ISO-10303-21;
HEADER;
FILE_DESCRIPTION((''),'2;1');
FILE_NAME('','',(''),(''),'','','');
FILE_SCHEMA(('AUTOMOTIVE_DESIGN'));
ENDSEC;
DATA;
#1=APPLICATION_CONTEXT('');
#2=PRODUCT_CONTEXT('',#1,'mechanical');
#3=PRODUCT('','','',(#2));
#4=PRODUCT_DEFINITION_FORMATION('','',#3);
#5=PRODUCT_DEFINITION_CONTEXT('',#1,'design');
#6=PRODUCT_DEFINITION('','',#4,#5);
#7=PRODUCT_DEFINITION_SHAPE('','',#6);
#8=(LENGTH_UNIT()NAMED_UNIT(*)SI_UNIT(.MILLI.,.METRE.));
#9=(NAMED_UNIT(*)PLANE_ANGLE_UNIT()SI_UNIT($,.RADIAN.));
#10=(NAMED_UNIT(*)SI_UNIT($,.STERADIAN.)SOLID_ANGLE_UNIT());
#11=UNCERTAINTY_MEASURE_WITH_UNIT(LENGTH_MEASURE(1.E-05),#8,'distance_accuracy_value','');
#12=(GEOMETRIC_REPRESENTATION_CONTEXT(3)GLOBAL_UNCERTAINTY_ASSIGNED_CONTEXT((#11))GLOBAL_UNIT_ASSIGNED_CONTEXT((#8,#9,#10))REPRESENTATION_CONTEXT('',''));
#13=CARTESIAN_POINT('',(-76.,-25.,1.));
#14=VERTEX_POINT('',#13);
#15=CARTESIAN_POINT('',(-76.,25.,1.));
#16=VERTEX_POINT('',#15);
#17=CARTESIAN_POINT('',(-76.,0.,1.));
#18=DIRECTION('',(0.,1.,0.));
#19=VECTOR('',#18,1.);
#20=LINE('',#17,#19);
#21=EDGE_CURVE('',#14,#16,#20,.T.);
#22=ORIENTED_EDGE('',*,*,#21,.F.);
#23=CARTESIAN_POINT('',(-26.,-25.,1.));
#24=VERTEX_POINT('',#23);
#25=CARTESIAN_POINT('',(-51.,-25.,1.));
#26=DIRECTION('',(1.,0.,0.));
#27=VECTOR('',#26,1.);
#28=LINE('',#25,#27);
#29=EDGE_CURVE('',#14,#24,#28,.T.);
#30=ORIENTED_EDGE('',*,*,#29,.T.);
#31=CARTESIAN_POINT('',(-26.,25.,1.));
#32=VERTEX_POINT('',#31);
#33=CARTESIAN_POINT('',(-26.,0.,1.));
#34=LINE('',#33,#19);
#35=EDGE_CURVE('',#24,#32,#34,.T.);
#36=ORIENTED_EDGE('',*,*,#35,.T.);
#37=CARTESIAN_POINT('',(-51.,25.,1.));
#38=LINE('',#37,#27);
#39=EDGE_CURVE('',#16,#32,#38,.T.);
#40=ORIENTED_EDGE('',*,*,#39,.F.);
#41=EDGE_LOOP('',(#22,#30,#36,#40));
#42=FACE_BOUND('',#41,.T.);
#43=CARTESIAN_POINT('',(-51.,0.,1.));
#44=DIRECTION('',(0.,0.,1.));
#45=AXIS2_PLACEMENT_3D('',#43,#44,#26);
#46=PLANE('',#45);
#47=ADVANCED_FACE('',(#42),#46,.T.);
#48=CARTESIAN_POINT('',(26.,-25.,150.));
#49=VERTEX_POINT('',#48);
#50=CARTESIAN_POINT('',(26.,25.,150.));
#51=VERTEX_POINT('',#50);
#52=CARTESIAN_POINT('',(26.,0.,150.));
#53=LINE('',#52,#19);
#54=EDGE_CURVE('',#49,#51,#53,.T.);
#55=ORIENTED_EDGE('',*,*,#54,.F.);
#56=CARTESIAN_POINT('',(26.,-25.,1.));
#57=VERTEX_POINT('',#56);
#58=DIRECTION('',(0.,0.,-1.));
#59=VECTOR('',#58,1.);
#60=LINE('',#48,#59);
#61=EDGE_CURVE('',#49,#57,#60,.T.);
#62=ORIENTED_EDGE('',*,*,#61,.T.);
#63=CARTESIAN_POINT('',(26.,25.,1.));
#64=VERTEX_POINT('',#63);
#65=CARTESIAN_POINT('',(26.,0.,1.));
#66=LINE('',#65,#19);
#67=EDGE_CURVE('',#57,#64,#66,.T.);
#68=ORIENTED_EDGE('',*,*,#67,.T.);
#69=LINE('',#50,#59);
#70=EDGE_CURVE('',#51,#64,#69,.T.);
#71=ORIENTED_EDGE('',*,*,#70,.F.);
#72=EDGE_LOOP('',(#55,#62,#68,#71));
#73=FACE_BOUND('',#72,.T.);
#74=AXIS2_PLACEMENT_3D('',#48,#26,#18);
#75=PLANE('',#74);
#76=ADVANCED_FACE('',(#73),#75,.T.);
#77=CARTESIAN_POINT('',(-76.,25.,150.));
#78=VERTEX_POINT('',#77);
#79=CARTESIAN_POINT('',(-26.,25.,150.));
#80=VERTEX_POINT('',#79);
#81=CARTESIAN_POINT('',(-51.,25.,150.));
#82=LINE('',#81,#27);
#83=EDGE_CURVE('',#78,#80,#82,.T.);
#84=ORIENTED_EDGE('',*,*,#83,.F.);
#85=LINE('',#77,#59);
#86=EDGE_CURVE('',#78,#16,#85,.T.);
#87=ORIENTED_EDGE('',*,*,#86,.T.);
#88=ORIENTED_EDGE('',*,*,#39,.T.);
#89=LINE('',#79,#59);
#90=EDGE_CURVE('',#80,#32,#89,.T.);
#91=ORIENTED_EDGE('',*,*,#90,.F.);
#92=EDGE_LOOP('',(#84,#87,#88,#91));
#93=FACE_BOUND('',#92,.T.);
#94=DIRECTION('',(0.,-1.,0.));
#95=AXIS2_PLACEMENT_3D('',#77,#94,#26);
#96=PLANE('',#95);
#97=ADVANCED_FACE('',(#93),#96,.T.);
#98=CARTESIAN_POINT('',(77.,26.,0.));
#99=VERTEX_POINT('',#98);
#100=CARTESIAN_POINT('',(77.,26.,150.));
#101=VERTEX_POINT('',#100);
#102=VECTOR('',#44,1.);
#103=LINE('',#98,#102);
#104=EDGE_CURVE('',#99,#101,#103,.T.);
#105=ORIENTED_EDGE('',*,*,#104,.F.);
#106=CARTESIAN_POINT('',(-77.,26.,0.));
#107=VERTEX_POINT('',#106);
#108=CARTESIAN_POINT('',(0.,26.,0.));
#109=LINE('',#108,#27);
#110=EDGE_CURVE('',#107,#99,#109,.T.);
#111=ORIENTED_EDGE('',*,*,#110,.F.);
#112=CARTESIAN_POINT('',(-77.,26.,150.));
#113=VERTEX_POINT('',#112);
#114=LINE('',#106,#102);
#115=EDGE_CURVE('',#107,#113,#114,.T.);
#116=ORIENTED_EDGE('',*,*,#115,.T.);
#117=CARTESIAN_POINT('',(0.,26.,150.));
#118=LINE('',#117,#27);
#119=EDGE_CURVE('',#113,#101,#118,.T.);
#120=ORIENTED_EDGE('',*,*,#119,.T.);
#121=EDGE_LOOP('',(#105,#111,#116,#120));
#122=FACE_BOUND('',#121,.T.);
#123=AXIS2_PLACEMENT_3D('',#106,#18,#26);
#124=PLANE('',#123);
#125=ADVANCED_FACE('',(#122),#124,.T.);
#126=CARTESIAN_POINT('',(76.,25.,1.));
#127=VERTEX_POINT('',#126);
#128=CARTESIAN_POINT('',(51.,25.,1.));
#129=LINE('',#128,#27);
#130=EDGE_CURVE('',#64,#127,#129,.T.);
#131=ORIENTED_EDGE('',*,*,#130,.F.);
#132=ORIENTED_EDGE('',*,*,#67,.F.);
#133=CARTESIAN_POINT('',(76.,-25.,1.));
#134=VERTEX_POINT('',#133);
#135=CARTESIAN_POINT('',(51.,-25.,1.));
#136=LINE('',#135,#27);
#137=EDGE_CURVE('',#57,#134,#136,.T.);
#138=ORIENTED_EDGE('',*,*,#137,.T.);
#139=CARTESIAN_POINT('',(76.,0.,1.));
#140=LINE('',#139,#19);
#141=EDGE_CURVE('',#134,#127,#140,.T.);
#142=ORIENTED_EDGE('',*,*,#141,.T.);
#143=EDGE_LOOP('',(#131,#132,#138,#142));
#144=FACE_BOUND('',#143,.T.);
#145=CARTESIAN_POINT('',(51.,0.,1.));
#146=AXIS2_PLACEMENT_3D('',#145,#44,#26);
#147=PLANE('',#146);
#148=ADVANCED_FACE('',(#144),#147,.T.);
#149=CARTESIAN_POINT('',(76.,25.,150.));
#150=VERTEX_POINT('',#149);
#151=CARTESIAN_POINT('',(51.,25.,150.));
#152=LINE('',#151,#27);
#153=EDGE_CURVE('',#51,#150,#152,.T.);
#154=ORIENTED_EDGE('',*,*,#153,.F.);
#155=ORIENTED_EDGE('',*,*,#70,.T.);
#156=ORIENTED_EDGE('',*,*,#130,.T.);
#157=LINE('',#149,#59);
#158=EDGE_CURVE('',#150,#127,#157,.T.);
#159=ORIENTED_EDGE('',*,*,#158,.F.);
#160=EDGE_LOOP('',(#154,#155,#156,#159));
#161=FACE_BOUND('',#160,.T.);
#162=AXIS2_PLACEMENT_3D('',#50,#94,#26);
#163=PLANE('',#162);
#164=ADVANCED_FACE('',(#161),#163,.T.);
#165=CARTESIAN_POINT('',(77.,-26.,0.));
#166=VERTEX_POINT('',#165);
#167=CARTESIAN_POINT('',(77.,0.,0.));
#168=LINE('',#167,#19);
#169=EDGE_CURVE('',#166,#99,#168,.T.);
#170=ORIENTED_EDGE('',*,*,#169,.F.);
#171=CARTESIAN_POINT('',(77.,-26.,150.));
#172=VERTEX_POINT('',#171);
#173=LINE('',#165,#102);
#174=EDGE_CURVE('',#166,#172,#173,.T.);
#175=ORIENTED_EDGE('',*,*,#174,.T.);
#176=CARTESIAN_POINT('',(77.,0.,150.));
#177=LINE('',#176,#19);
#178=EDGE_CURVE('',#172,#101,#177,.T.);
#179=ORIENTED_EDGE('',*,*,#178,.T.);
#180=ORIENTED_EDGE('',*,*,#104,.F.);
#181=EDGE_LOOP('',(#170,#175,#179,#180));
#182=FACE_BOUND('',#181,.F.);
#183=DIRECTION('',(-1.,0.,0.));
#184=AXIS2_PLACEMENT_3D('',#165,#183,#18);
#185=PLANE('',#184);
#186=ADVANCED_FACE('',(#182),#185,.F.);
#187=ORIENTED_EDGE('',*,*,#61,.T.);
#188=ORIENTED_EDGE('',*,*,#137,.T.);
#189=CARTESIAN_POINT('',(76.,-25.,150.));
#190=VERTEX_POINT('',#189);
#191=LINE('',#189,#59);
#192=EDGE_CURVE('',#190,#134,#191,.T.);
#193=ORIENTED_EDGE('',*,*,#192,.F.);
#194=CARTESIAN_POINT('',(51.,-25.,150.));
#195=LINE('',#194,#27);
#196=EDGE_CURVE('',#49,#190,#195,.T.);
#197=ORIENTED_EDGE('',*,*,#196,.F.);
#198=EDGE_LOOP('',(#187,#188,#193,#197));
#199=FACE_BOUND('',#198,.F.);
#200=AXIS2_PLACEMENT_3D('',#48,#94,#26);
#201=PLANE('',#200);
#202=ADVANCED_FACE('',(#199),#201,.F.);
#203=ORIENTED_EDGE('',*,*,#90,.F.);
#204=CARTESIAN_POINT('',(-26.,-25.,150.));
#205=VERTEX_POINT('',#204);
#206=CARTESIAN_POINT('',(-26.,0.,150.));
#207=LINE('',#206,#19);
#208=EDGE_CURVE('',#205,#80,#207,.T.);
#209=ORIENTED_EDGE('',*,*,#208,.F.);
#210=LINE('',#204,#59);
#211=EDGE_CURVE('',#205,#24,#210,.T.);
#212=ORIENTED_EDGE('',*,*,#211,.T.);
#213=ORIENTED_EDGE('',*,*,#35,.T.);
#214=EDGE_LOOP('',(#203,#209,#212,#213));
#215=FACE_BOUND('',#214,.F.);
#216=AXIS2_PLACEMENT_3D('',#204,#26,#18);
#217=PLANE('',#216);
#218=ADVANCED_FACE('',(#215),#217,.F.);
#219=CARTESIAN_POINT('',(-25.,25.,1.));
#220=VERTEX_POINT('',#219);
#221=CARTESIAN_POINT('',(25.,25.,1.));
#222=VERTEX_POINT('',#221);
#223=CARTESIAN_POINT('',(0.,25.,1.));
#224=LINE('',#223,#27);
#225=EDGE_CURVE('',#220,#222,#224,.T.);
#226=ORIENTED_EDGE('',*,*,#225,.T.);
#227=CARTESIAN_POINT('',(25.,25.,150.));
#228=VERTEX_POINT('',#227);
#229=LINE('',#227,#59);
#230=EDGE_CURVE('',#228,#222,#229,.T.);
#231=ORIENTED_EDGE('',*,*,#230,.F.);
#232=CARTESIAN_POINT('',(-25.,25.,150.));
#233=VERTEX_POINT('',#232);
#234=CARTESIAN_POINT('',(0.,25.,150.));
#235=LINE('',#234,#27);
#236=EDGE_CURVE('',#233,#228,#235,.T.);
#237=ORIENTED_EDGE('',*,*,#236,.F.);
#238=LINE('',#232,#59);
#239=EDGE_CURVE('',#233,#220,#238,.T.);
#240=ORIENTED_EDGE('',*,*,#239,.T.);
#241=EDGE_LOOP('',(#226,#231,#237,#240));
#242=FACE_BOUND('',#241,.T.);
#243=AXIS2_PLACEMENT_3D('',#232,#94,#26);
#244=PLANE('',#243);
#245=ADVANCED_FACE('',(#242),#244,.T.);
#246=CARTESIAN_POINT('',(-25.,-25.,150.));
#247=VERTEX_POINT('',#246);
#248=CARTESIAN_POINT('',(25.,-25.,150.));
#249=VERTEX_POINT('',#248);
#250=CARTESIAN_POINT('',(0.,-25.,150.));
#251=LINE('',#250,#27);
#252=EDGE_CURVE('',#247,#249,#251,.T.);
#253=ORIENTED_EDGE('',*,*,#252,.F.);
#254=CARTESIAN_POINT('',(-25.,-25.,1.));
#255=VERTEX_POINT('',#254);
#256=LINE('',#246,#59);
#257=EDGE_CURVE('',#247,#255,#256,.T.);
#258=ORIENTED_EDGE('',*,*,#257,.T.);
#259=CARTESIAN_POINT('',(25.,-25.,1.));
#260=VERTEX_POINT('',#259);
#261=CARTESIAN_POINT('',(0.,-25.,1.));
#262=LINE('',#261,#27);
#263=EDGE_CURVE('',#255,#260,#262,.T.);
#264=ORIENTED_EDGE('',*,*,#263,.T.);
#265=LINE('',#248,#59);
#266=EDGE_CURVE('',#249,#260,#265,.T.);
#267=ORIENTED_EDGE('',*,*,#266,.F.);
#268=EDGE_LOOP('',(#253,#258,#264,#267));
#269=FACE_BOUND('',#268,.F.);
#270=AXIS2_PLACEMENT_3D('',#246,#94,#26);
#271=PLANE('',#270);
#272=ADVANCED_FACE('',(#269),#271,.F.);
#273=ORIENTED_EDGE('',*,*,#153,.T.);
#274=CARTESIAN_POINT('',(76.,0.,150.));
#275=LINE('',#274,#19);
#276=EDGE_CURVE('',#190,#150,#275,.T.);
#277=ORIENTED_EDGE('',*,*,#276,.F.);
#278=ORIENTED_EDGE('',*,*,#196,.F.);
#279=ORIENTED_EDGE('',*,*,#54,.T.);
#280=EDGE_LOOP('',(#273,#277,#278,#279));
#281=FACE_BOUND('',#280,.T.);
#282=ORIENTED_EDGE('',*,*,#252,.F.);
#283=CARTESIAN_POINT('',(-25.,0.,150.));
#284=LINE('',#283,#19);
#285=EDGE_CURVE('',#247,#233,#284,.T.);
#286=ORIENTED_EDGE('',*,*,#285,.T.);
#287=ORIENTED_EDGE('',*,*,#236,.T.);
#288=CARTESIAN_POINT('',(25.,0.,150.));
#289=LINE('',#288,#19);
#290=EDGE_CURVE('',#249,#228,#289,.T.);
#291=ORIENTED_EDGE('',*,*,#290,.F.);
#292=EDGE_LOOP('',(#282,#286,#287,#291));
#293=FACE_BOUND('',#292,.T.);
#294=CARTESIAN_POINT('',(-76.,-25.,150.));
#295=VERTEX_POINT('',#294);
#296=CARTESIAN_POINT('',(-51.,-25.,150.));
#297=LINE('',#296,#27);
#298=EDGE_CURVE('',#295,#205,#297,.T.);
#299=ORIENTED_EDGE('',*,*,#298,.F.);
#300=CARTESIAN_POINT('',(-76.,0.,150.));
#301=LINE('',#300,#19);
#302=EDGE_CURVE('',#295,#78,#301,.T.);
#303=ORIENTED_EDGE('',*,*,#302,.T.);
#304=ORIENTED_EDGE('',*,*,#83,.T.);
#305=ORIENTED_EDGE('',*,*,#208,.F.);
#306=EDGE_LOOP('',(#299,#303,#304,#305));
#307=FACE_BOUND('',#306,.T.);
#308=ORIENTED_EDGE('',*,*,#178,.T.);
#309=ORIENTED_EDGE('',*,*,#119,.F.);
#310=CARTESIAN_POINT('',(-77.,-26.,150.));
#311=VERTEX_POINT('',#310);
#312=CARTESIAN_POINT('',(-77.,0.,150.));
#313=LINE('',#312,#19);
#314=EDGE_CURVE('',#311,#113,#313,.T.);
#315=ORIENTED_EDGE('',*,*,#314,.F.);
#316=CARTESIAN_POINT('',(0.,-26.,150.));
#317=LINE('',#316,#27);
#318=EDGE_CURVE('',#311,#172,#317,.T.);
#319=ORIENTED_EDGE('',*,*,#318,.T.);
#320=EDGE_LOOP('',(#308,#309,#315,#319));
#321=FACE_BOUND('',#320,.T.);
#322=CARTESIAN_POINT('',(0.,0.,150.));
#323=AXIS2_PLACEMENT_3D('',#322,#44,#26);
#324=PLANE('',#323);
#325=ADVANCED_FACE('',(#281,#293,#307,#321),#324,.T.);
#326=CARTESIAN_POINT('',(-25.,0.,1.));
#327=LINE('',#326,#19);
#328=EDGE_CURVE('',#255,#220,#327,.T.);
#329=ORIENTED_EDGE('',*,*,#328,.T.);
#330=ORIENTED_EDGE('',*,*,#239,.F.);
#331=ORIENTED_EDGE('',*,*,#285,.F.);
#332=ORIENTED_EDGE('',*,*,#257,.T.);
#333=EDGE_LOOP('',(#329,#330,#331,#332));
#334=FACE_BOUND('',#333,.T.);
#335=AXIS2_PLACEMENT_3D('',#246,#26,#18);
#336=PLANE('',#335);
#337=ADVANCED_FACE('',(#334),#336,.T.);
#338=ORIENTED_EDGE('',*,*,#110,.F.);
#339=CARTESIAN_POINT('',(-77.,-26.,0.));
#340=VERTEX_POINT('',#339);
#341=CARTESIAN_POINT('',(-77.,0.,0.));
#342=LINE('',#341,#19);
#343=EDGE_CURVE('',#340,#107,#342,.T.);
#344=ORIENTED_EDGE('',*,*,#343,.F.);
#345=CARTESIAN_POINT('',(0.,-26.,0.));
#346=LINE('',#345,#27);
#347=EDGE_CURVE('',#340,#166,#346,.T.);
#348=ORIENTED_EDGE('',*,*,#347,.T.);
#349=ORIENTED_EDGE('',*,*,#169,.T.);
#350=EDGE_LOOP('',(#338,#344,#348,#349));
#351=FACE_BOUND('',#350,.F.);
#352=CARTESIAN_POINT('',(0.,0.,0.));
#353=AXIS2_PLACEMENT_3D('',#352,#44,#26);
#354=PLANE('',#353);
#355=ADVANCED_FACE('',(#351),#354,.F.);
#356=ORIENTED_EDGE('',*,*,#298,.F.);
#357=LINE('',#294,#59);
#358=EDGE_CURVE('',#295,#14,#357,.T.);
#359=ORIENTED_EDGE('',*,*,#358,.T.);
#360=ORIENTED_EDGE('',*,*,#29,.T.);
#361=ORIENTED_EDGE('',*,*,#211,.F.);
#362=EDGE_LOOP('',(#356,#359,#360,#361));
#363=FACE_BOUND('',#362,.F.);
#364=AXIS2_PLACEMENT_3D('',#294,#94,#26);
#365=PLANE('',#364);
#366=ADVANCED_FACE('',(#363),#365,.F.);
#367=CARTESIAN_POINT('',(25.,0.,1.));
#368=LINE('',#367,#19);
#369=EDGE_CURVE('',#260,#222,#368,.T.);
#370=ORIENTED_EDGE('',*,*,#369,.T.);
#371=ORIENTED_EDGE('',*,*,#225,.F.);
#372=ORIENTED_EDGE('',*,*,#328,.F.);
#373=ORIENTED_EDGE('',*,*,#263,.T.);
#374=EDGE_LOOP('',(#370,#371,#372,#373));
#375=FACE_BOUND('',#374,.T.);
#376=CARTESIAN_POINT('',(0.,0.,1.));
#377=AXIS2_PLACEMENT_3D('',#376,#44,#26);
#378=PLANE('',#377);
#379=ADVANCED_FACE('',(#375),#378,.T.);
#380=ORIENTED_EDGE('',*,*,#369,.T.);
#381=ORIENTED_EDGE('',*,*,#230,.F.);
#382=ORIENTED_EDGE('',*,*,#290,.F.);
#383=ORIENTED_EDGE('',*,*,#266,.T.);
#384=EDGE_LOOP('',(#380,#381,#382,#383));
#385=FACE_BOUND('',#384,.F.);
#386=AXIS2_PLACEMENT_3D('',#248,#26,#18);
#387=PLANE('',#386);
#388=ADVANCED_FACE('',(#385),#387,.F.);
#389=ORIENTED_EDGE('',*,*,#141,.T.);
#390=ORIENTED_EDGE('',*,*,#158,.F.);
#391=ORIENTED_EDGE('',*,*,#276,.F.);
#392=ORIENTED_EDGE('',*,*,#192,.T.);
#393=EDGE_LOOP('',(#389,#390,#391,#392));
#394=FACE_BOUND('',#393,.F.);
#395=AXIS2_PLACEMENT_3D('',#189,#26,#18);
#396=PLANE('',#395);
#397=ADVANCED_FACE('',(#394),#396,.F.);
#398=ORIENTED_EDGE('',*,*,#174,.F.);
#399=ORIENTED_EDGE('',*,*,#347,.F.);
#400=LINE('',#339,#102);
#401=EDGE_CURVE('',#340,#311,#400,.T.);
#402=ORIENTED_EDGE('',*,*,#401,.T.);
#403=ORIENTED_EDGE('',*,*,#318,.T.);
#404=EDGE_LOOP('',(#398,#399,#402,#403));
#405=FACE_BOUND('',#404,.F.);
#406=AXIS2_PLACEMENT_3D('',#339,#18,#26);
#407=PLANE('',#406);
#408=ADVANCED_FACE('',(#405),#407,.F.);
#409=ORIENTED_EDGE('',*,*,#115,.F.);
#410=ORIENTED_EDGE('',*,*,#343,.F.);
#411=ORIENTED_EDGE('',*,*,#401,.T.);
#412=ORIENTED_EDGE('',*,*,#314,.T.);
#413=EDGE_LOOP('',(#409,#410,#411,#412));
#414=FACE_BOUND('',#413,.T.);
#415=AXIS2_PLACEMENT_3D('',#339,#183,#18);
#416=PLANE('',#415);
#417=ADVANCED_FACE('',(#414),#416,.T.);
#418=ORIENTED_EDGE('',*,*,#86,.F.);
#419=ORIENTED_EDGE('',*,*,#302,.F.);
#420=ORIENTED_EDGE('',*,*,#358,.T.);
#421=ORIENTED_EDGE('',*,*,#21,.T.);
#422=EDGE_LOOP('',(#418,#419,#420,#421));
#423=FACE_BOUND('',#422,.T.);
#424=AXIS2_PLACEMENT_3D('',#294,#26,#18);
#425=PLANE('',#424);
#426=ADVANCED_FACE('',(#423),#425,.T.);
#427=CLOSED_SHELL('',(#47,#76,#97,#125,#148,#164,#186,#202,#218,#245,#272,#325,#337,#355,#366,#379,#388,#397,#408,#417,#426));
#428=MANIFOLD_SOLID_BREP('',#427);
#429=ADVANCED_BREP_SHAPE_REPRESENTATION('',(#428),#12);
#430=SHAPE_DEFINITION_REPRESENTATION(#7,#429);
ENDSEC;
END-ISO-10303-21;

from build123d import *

# Parameters (mm, degrees)
F0_W     = 154
F0_H     = 52
F1_DEPTH = 150
F2_W     = 50
F2_H     = 50
F3_DEPTH = 149


with BuildPart() as f1:
    # F0 (on Top) → F1 (new body)
    with BuildSketch(Plane.XY):
        Rectangle(F0_W, F0_H)
    extrude(amount=F1_DEPTH)

    # F2 (on face) → F3 (cut)
    with BuildSketch(Plane.XY.offset(150)):
        with Locations((-51, 0)):
            Rectangle(F2_W, F2_H)
        Rectangle(F2_W, F2_H)
        with Locations((51, 0)):
            Rectangle(F2_W, F2_H)
    extrude(amount=-F3_DEPTH, mode=Mode.SUBTRACT)


solid = f1.part
